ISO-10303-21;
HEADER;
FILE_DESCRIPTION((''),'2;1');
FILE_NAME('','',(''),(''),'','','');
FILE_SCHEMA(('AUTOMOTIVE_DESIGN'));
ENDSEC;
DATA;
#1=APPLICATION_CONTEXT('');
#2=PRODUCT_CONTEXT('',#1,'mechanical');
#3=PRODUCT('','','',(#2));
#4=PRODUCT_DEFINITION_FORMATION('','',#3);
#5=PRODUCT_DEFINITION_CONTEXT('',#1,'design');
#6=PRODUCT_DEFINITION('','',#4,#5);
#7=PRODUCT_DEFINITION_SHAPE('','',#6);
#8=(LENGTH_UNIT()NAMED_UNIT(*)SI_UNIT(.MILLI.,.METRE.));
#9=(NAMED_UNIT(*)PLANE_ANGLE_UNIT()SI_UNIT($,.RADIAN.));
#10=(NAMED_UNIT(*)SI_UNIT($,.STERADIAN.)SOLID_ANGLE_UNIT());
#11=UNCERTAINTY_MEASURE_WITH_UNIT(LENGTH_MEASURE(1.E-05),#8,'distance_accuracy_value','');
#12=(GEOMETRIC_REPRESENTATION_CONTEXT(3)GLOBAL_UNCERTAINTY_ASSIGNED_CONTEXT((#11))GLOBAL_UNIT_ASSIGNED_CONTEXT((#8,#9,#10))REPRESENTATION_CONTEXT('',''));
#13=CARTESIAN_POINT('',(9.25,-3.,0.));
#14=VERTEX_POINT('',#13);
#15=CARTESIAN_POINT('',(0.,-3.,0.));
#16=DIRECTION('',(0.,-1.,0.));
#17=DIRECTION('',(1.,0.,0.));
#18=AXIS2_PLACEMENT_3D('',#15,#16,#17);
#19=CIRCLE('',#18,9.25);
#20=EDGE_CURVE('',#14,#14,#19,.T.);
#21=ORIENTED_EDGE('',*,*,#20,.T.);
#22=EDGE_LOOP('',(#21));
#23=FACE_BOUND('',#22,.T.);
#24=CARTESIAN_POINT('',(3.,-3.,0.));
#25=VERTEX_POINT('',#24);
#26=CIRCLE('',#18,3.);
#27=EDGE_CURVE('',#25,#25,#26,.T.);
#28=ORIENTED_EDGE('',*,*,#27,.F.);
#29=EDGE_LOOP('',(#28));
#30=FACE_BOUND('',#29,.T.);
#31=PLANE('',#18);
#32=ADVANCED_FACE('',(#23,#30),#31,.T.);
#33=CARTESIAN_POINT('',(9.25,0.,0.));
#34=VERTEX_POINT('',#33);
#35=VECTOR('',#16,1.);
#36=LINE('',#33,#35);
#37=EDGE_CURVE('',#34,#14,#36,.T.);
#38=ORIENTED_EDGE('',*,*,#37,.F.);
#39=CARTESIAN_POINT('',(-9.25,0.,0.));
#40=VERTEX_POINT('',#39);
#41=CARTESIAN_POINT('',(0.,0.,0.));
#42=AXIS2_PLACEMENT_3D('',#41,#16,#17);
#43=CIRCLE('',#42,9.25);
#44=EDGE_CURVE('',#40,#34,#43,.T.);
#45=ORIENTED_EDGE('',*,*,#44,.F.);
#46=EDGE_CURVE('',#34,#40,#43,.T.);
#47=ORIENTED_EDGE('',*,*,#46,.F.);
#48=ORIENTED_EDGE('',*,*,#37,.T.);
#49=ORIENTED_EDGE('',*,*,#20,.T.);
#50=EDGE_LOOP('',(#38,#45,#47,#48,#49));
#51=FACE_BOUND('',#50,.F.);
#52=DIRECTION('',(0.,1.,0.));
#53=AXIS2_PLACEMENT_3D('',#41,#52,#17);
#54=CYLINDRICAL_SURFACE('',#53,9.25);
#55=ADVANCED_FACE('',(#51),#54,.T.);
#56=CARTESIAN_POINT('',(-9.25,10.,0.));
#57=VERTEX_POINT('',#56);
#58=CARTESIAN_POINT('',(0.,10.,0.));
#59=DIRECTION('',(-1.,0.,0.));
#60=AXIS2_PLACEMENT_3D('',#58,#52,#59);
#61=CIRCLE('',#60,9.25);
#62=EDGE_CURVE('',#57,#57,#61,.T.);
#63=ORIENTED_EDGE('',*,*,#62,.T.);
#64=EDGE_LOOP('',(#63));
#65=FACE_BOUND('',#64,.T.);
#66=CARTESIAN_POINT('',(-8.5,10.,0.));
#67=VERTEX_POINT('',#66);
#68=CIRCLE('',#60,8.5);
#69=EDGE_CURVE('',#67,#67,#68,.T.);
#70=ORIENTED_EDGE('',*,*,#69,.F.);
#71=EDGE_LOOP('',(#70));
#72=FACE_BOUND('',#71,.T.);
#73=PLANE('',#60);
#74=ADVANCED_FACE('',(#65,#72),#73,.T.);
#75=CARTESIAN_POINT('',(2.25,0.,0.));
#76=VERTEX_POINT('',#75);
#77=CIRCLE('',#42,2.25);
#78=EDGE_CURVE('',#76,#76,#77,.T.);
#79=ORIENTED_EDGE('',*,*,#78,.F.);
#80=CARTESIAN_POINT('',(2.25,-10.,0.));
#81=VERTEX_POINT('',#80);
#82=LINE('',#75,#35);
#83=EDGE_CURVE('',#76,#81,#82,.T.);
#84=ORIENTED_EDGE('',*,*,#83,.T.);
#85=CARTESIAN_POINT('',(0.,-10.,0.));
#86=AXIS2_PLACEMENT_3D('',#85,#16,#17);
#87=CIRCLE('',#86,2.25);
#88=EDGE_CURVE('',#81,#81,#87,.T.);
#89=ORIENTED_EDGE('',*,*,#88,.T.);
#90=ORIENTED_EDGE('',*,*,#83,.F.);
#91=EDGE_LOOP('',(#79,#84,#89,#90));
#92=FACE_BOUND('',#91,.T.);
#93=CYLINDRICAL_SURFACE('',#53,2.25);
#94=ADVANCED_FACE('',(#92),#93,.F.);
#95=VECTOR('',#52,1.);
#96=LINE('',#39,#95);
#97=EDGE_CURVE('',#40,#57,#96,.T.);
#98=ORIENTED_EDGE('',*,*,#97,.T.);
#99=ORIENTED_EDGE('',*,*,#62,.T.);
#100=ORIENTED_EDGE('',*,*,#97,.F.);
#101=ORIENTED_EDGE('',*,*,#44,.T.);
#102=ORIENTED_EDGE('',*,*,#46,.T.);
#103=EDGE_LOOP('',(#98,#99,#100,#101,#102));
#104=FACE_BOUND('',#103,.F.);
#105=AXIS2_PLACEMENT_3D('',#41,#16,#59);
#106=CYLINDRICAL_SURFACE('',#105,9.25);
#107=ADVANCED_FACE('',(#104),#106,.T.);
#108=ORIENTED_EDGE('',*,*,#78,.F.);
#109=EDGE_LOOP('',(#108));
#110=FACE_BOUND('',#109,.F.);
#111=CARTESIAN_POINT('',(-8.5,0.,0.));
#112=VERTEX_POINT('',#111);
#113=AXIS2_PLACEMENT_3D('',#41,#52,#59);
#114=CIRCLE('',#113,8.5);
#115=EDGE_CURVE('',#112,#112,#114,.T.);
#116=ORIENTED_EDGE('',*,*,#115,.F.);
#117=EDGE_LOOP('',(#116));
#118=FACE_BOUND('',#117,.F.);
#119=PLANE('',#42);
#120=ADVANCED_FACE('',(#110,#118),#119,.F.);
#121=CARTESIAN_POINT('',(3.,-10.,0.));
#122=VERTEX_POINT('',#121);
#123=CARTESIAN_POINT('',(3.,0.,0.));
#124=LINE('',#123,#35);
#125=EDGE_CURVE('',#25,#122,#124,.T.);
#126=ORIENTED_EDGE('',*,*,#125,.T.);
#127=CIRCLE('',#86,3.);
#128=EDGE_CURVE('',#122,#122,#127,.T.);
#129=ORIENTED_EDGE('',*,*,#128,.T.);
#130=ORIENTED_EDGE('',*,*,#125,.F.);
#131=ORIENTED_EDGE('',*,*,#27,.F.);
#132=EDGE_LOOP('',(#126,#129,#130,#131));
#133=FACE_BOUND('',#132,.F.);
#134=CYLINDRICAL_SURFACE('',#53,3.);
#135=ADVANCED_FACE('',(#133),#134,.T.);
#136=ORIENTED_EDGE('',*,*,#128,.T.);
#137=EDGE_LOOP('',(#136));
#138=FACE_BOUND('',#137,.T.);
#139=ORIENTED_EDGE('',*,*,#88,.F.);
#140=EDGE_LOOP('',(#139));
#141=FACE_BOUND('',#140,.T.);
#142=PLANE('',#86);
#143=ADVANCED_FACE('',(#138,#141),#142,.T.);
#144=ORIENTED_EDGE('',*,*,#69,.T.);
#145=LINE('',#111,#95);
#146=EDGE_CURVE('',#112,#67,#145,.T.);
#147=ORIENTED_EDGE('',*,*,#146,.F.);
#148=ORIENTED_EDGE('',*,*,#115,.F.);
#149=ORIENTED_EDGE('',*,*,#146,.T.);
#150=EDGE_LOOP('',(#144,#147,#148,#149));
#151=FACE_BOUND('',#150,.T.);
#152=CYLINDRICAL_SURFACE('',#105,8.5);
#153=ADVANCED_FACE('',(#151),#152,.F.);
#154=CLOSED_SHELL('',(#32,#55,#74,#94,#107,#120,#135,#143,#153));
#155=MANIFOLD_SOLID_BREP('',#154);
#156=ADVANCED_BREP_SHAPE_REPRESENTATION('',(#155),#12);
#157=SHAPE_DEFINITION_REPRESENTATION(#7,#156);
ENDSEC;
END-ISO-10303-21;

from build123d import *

# Parameters (mm, degrees)
F0_R     = 3
F0_R_2   = 2.25
F1_DEPTH = 10
F2_R     = 9.25
F2_R_2   = 3
F3_DEPTH = 3
F4_R     = 9.25
F4_R_2   = 8.5
F5_DEPTH = 10


with BuildPart() as f1:
    # F0 (on Front) → F1 (new body)
    with BuildSketch(Plane.XZ):
        Circle(F0_R)
        Circle(F0_R_2, mode=Mode.SUBTRACT)
    extrude(amount=F1_DEPTH)

    # F2 (on Front) → F3 (join)
    with BuildSketch(Plane.XZ):
        Circle(F2_R)
        Circle(F2_R_2, mode=Mode.SUBTRACT)
    extrude(amount=F3_DEPTH)

    # F4 (on face) → F5 (join)
    with BuildSketch(Plane(origin=(0, 0, 0), x_dir=(-1, 0, 0), z_dir=(0, 1, 0))):
        Circle(F4_R)
        Circle(F4_R_2, mode=Mode.SUBTRACT)
    extrude(amount=F5_DEPTH)


solid = f1.part
